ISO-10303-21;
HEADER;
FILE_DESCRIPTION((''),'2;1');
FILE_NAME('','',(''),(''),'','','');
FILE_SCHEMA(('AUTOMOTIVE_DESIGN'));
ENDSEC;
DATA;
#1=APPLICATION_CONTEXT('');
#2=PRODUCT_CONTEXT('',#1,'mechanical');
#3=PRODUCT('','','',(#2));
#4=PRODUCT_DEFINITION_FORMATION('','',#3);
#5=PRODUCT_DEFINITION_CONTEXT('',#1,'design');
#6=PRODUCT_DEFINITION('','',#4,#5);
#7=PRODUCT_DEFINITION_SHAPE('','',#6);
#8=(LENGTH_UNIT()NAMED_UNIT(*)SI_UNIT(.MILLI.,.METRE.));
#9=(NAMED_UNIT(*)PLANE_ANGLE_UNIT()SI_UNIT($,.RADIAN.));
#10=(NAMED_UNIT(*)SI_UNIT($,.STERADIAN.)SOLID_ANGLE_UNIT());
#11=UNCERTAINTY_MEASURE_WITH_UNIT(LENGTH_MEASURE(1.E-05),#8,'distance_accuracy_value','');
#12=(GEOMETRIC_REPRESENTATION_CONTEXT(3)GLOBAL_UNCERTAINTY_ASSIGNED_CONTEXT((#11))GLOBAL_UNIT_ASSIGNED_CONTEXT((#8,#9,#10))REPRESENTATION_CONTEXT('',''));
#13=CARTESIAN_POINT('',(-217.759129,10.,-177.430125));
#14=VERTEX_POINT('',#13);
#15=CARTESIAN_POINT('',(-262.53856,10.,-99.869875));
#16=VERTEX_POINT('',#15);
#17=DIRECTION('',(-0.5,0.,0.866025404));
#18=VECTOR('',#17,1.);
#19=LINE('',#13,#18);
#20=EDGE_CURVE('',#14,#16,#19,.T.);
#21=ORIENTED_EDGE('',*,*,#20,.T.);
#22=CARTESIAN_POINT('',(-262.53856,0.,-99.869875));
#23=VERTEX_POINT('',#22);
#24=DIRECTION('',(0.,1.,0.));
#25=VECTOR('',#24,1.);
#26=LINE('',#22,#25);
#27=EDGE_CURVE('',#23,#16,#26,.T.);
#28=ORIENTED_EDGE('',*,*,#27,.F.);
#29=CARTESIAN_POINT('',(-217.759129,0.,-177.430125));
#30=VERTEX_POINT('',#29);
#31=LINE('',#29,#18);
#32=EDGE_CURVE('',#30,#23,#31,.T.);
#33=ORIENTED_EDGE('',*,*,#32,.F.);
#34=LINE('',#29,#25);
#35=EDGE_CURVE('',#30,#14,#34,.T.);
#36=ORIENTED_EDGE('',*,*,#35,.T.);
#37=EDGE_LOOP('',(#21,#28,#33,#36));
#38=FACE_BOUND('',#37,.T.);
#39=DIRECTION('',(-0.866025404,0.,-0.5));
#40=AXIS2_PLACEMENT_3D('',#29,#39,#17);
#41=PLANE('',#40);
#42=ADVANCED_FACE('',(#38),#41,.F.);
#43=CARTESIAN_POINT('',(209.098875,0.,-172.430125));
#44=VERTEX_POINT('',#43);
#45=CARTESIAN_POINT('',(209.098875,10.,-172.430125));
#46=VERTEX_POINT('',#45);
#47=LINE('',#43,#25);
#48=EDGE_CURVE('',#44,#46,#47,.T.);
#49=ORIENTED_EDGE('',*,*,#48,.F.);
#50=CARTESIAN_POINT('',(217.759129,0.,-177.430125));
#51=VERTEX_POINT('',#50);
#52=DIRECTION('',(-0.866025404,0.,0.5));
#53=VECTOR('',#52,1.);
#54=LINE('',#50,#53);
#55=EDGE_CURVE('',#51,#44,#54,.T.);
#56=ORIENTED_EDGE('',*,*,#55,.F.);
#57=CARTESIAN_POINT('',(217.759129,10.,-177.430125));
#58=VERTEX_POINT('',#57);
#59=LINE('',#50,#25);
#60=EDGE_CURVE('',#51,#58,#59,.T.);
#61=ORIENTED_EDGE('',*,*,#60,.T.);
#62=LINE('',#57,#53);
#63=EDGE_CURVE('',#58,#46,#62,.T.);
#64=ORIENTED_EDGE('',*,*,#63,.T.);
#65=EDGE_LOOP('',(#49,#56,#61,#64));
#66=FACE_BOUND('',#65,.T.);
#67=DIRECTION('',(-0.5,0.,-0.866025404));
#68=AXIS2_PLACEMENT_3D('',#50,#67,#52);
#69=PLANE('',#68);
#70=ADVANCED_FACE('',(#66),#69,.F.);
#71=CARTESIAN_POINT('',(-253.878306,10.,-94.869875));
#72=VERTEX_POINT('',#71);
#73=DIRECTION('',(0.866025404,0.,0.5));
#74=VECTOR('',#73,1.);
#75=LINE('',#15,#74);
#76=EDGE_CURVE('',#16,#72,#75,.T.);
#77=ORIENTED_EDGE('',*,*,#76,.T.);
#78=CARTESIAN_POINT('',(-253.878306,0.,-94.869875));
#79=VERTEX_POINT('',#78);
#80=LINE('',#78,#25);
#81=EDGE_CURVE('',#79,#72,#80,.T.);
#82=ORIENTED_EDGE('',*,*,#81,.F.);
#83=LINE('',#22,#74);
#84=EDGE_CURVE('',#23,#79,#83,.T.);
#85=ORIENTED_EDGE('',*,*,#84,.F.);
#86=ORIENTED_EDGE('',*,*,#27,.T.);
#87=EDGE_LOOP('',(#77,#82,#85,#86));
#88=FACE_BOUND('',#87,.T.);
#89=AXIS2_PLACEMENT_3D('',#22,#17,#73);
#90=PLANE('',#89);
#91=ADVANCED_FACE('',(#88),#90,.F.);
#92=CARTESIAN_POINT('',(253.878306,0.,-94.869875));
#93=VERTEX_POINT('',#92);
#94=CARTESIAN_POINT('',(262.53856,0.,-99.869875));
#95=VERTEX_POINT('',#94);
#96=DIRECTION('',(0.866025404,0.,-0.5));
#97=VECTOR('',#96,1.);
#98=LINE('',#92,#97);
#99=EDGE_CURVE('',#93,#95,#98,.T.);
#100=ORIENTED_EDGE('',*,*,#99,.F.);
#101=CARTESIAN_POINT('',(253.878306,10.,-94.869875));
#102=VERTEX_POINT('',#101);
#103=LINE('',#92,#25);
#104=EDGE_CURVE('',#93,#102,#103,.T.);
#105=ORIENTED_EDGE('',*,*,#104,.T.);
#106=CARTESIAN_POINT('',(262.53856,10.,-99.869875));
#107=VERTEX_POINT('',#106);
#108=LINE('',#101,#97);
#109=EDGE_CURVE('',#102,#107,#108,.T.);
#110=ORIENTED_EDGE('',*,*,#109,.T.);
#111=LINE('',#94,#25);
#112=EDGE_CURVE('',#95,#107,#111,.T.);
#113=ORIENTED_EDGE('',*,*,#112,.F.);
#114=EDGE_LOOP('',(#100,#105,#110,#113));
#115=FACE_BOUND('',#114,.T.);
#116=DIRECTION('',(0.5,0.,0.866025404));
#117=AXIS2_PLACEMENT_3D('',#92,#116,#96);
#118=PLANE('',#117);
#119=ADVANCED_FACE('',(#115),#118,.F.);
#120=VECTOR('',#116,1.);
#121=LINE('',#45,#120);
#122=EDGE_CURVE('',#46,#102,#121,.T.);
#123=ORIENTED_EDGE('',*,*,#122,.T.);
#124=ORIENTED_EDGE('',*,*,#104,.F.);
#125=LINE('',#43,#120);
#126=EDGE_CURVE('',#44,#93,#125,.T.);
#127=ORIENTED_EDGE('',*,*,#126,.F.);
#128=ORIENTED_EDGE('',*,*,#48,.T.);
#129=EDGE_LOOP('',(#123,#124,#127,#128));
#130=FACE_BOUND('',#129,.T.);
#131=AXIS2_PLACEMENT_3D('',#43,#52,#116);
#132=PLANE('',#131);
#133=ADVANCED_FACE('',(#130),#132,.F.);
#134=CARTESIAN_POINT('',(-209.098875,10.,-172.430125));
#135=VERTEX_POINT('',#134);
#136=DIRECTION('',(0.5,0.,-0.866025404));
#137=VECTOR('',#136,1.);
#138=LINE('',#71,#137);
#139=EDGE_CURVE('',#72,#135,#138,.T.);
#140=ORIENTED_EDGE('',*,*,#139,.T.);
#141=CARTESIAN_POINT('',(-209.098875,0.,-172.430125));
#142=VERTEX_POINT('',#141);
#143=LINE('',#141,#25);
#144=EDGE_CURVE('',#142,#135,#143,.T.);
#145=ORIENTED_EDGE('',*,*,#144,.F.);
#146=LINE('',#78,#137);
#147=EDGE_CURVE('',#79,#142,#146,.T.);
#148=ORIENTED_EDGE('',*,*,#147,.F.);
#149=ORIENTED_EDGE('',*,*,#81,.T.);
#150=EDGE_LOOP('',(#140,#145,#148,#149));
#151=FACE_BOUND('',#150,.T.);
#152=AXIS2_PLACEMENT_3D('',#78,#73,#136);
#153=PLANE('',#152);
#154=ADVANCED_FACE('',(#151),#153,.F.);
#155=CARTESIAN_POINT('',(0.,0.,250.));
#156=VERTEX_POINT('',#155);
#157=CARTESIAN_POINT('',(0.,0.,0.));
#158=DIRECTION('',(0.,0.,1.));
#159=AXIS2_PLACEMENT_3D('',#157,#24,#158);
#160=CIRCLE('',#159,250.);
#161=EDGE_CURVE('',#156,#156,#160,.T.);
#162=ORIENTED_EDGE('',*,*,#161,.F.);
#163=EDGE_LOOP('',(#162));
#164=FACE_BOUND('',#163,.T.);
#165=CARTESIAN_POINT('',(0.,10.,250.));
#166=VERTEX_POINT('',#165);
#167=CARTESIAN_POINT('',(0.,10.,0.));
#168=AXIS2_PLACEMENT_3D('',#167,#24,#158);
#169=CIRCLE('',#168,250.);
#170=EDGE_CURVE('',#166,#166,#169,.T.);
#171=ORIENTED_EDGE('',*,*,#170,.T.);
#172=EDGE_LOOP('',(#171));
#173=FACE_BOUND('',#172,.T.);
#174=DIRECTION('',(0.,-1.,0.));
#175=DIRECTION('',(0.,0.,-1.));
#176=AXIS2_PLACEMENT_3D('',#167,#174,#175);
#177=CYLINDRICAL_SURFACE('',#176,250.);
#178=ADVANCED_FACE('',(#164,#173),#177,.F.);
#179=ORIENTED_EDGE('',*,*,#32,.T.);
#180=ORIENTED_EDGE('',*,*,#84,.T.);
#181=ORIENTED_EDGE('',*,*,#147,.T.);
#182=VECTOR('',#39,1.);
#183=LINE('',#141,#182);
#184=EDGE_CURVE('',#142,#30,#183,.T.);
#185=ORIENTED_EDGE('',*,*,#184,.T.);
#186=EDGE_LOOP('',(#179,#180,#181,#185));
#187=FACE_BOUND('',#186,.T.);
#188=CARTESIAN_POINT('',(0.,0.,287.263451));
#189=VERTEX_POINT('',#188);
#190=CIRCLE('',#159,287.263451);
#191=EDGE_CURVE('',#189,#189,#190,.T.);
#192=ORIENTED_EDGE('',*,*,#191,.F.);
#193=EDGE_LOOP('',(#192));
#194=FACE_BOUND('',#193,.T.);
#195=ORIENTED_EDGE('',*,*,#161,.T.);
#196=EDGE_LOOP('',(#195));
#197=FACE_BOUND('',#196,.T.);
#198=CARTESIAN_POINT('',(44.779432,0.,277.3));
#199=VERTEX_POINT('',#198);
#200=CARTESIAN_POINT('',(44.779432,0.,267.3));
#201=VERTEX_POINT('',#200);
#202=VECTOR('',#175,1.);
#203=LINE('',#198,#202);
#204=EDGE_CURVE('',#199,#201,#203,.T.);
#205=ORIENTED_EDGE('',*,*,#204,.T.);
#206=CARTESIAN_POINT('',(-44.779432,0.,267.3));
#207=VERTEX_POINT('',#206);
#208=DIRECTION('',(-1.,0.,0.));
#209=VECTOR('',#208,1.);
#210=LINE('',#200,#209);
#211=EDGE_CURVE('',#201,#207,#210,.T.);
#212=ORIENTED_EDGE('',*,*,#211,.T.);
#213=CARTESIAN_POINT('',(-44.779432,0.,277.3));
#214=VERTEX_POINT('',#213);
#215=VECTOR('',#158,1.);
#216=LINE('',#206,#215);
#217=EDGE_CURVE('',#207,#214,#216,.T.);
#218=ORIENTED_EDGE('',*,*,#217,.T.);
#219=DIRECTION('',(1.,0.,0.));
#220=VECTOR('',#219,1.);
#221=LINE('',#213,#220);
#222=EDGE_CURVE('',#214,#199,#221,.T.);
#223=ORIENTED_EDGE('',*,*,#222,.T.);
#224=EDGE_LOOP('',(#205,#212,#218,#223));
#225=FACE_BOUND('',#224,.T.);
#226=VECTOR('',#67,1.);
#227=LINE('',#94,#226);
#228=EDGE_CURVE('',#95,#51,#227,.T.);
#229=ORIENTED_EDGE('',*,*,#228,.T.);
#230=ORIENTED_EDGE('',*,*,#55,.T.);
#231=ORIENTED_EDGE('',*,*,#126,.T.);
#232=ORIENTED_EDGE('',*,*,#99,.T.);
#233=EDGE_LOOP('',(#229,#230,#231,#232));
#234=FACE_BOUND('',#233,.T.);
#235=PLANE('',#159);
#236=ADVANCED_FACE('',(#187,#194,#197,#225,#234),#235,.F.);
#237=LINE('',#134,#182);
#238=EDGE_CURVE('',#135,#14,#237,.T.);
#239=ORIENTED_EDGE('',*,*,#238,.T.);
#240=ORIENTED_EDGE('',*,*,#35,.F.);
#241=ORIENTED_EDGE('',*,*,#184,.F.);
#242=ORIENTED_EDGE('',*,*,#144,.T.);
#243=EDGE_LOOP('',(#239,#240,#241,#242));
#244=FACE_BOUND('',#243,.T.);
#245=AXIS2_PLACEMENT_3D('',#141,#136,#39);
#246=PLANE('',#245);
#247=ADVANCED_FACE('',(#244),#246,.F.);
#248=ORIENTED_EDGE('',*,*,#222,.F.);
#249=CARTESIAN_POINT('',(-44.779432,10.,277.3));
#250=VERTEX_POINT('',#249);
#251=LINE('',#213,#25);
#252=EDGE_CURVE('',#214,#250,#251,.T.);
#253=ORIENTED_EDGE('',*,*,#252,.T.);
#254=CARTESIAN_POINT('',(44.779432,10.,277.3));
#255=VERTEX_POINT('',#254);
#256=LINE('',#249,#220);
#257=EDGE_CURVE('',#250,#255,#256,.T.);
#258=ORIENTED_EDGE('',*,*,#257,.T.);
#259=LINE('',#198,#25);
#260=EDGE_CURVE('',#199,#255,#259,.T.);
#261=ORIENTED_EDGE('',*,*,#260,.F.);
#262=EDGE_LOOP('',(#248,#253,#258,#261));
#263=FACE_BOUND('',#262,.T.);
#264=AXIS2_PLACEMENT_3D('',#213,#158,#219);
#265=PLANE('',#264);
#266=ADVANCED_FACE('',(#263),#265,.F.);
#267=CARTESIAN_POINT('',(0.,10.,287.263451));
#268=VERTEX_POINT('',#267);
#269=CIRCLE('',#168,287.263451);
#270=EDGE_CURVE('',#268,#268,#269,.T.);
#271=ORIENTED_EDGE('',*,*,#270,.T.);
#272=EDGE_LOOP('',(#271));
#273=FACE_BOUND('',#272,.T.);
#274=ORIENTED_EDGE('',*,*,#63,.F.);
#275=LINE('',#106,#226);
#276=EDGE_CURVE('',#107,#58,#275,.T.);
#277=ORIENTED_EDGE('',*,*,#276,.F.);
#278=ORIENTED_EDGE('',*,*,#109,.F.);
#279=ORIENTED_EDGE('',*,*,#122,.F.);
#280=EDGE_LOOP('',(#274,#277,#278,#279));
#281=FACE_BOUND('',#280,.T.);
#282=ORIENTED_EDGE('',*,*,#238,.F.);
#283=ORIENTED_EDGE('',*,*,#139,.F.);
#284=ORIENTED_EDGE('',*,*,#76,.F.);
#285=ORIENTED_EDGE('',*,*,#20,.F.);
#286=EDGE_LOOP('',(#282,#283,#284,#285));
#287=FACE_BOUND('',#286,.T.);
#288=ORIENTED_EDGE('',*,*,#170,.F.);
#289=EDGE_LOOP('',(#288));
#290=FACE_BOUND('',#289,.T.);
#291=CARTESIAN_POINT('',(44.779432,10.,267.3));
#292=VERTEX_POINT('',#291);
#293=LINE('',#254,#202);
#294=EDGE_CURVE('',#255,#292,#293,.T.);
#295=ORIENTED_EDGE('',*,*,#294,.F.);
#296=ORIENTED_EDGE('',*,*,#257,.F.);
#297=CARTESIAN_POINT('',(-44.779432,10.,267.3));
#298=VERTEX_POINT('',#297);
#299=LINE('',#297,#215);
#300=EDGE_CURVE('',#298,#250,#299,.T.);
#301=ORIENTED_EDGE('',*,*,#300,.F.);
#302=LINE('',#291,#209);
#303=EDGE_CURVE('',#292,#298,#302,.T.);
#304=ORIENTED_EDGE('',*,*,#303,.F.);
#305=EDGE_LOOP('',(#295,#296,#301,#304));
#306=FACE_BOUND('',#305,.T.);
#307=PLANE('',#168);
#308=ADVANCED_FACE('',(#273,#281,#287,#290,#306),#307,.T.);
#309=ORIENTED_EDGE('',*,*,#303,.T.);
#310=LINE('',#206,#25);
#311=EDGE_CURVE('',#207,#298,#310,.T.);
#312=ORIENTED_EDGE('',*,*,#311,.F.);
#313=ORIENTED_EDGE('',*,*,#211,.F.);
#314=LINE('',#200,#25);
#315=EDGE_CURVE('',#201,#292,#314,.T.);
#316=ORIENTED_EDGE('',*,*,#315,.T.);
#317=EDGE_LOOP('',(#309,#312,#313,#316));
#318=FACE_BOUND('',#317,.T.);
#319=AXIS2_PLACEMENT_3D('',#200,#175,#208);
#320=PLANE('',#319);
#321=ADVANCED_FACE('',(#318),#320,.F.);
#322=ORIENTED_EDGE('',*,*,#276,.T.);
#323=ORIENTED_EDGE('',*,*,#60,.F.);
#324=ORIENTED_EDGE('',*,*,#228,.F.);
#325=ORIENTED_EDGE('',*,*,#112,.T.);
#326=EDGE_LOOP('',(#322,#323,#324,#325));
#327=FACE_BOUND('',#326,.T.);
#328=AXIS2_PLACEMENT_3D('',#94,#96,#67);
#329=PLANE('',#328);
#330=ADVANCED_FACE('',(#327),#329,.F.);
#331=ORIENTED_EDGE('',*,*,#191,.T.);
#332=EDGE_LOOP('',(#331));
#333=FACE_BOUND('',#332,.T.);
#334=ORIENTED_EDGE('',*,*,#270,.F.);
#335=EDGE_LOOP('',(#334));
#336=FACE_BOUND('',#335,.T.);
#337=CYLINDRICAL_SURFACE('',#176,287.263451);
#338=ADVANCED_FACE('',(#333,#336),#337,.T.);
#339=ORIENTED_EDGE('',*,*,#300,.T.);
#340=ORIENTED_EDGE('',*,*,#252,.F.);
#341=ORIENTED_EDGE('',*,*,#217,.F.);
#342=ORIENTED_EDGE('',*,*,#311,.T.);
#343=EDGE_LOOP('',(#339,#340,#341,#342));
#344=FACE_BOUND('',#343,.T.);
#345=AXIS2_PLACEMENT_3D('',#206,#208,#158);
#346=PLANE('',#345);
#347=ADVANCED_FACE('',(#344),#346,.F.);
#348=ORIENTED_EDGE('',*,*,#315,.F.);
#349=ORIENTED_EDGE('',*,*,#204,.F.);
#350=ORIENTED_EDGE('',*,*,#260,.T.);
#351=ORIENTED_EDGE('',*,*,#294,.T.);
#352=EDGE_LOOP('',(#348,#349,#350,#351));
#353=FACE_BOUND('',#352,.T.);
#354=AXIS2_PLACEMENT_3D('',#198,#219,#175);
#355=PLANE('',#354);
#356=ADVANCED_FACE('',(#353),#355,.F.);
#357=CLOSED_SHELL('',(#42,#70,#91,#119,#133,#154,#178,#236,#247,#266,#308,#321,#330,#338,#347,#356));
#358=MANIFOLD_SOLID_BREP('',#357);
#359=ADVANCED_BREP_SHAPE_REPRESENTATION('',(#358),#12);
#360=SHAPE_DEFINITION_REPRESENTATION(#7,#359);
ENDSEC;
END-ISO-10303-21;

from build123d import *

# Parameters (mm, degrees)
SKETCH1_R           = 287.263450512
SKETCH1_R_2         = 250
BOSS_EXTRUDE1_DEPTH = 10
SKETCH2_W           = 89.558863324
SKETCH2_H           = 10
CUT_EXTRUDE1_DEPTH  = 10
CIRPATTERN1_COUNT   = 3


with BuildPart() as part:
    # Sketch1 → Boss-Extrude1 (new body)
    with BuildSketch(Plane(origin=(0, 0, 0), x_dir=(1, 0, 0), z_dir=(0, 1, 0))):
        Circle(SKETCH1_R)
        Circle(SKETCH1_R_2, mode=Mode.SUBTRACT)
    extrude(amount=BOSS_EXTRUDE1_DEPTH)

    # Sketch2 → Cut-Extrude1 (cut)
    with BuildSketch(Plane(origin=(0, 10, 0), x_dir=(1, 0, 0), z_dir=(0, 1, 0))):
        with Locations((0, -272.3)):
            Rectangle(SKETCH2_W, SKETCH2_H)
    cut_extrude1 = extrude(amount=-CUT_EXTRUDE1_DEPTH, mode=Mode.SUBTRACT)

    # CirPattern1: Cut-Extrude1 ×3 about axis
    cirpattern1_axis = Axis((0, 0, 0), (0, 1, 0))
    for i in range(1, CIRPATTERN1_COUNT):
        add(cut_extrude1.rotate(cirpattern1_axis, i * 360 / CIRPATTERN1_COUNT), mode=Mode.SUBTRACT)


solid = part.part
